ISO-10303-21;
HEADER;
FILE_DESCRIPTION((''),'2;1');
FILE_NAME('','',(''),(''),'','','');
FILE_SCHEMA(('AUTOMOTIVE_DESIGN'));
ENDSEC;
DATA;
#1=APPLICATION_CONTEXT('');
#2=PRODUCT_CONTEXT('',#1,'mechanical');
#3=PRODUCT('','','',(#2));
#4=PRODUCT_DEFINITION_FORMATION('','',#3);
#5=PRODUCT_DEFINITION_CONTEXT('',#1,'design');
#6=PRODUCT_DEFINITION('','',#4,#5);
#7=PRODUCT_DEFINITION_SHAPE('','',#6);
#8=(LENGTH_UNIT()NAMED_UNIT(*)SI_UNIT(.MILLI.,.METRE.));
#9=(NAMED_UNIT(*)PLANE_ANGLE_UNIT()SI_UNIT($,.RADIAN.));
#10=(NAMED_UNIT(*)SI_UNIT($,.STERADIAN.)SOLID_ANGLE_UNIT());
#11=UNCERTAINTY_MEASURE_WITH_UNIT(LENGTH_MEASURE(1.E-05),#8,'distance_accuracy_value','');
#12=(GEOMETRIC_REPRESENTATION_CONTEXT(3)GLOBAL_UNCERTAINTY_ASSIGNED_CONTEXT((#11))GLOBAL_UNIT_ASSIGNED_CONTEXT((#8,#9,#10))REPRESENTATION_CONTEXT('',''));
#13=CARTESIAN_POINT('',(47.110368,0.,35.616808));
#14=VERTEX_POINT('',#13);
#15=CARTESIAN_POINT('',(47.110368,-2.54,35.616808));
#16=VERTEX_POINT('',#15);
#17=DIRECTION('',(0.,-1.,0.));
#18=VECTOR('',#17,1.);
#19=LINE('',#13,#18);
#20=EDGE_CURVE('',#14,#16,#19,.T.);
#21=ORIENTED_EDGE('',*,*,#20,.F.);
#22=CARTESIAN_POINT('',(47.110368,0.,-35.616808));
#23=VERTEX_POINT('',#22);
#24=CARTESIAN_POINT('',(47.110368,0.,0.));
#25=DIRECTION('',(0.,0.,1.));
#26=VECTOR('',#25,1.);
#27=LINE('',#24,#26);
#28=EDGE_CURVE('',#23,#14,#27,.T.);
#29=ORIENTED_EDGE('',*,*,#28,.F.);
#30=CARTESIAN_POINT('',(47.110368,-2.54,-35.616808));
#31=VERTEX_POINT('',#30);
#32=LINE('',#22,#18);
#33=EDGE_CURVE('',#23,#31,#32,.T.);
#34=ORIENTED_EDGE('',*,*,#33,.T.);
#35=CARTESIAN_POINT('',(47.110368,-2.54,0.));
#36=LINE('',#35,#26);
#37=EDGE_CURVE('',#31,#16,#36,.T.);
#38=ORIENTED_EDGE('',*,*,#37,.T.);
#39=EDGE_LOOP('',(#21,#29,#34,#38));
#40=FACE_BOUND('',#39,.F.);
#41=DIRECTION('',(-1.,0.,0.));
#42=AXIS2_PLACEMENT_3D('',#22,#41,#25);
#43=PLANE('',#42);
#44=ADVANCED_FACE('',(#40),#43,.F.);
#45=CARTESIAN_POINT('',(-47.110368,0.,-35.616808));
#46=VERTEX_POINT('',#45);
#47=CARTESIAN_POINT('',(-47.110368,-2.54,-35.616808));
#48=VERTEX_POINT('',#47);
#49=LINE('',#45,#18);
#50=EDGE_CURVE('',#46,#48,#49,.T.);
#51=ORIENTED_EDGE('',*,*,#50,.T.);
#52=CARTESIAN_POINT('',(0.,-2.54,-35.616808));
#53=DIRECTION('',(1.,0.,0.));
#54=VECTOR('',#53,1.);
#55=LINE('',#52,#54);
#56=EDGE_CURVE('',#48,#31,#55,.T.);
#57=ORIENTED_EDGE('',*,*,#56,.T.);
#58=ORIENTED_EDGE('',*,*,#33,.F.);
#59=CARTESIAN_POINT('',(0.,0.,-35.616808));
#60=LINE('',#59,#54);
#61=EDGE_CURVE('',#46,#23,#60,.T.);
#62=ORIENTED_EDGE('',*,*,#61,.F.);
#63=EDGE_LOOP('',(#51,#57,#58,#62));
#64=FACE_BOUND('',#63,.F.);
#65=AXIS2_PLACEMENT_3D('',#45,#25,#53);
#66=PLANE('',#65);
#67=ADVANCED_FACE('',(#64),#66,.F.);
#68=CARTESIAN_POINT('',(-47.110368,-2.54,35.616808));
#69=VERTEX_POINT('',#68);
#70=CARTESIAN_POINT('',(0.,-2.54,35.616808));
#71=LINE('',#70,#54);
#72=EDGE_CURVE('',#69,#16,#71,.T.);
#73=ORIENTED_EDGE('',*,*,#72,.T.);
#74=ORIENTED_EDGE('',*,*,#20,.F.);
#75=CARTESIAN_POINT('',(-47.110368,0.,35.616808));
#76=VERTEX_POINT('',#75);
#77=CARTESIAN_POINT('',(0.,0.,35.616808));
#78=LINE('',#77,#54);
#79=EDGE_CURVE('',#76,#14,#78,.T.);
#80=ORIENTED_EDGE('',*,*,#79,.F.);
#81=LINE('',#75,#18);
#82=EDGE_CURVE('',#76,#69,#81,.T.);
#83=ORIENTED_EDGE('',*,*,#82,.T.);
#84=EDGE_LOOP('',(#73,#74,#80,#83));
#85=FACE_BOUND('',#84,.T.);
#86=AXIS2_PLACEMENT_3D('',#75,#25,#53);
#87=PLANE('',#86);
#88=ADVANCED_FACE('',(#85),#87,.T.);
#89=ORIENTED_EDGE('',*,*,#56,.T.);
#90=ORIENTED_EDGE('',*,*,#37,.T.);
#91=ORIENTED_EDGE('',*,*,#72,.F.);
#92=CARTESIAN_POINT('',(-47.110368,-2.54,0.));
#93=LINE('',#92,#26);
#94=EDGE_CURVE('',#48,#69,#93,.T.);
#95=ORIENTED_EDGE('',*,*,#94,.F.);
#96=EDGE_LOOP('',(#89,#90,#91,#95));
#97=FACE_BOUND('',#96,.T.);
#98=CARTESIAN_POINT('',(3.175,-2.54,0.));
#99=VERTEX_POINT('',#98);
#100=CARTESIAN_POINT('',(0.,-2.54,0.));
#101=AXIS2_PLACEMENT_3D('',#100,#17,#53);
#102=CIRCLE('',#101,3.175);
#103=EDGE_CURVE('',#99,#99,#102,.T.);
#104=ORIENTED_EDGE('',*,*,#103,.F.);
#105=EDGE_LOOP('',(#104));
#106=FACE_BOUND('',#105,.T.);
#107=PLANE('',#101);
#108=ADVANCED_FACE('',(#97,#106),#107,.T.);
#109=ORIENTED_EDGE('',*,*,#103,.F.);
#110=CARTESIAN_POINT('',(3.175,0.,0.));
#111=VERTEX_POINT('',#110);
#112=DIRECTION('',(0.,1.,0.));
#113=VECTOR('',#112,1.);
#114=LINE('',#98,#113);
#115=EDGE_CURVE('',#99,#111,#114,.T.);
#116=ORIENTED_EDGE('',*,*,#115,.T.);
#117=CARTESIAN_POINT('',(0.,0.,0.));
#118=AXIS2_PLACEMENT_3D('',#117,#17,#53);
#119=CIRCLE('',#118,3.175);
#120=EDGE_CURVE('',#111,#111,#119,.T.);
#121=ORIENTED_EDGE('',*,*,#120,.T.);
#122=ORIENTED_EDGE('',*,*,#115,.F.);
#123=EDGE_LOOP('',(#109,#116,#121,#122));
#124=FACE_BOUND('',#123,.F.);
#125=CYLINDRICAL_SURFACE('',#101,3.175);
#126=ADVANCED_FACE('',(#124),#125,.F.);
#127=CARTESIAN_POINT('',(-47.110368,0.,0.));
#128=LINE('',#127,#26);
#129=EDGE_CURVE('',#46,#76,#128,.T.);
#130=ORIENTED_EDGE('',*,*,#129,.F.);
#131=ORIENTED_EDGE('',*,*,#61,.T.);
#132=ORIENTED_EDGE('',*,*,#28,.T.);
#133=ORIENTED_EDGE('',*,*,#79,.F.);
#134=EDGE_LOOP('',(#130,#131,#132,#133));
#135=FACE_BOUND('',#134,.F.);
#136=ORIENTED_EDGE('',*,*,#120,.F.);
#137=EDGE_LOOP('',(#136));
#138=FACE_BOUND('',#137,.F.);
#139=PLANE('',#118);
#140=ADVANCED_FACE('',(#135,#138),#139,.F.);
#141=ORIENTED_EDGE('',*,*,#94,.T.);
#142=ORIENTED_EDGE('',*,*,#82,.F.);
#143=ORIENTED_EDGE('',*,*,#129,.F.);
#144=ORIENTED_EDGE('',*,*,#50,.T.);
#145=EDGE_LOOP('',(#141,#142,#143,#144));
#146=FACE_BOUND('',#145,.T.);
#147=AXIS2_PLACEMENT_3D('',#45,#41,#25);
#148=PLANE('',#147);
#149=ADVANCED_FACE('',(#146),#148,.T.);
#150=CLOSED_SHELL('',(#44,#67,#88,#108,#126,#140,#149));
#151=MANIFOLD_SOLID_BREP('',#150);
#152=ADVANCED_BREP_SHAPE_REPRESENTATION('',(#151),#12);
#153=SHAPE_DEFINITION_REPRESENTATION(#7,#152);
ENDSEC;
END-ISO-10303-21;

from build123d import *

# Parameters (mm, degrees)
F0_W     = 94.220736
F0_H     = 71.233616
F1_DEPTH = 2.54
F2_R     = 3.175
F3_DEPTH = 2.54


with BuildPart() as f1:
    # F0 (on Front) → F1 (new body)
    with BuildSketch(Plane.XZ):
        Rectangle(F0_W, F0_H)
    extrude(amount=F1_DEPTH)

    # F2 (on face) → F3 (cut, through all)
    with BuildSketch(Plane.XZ.offset(2.54)):
        Circle(F2_R)
    extrude(amount=-F3_DEPTH, mode=Mode.SUBTRACT)


solid = f1.part
